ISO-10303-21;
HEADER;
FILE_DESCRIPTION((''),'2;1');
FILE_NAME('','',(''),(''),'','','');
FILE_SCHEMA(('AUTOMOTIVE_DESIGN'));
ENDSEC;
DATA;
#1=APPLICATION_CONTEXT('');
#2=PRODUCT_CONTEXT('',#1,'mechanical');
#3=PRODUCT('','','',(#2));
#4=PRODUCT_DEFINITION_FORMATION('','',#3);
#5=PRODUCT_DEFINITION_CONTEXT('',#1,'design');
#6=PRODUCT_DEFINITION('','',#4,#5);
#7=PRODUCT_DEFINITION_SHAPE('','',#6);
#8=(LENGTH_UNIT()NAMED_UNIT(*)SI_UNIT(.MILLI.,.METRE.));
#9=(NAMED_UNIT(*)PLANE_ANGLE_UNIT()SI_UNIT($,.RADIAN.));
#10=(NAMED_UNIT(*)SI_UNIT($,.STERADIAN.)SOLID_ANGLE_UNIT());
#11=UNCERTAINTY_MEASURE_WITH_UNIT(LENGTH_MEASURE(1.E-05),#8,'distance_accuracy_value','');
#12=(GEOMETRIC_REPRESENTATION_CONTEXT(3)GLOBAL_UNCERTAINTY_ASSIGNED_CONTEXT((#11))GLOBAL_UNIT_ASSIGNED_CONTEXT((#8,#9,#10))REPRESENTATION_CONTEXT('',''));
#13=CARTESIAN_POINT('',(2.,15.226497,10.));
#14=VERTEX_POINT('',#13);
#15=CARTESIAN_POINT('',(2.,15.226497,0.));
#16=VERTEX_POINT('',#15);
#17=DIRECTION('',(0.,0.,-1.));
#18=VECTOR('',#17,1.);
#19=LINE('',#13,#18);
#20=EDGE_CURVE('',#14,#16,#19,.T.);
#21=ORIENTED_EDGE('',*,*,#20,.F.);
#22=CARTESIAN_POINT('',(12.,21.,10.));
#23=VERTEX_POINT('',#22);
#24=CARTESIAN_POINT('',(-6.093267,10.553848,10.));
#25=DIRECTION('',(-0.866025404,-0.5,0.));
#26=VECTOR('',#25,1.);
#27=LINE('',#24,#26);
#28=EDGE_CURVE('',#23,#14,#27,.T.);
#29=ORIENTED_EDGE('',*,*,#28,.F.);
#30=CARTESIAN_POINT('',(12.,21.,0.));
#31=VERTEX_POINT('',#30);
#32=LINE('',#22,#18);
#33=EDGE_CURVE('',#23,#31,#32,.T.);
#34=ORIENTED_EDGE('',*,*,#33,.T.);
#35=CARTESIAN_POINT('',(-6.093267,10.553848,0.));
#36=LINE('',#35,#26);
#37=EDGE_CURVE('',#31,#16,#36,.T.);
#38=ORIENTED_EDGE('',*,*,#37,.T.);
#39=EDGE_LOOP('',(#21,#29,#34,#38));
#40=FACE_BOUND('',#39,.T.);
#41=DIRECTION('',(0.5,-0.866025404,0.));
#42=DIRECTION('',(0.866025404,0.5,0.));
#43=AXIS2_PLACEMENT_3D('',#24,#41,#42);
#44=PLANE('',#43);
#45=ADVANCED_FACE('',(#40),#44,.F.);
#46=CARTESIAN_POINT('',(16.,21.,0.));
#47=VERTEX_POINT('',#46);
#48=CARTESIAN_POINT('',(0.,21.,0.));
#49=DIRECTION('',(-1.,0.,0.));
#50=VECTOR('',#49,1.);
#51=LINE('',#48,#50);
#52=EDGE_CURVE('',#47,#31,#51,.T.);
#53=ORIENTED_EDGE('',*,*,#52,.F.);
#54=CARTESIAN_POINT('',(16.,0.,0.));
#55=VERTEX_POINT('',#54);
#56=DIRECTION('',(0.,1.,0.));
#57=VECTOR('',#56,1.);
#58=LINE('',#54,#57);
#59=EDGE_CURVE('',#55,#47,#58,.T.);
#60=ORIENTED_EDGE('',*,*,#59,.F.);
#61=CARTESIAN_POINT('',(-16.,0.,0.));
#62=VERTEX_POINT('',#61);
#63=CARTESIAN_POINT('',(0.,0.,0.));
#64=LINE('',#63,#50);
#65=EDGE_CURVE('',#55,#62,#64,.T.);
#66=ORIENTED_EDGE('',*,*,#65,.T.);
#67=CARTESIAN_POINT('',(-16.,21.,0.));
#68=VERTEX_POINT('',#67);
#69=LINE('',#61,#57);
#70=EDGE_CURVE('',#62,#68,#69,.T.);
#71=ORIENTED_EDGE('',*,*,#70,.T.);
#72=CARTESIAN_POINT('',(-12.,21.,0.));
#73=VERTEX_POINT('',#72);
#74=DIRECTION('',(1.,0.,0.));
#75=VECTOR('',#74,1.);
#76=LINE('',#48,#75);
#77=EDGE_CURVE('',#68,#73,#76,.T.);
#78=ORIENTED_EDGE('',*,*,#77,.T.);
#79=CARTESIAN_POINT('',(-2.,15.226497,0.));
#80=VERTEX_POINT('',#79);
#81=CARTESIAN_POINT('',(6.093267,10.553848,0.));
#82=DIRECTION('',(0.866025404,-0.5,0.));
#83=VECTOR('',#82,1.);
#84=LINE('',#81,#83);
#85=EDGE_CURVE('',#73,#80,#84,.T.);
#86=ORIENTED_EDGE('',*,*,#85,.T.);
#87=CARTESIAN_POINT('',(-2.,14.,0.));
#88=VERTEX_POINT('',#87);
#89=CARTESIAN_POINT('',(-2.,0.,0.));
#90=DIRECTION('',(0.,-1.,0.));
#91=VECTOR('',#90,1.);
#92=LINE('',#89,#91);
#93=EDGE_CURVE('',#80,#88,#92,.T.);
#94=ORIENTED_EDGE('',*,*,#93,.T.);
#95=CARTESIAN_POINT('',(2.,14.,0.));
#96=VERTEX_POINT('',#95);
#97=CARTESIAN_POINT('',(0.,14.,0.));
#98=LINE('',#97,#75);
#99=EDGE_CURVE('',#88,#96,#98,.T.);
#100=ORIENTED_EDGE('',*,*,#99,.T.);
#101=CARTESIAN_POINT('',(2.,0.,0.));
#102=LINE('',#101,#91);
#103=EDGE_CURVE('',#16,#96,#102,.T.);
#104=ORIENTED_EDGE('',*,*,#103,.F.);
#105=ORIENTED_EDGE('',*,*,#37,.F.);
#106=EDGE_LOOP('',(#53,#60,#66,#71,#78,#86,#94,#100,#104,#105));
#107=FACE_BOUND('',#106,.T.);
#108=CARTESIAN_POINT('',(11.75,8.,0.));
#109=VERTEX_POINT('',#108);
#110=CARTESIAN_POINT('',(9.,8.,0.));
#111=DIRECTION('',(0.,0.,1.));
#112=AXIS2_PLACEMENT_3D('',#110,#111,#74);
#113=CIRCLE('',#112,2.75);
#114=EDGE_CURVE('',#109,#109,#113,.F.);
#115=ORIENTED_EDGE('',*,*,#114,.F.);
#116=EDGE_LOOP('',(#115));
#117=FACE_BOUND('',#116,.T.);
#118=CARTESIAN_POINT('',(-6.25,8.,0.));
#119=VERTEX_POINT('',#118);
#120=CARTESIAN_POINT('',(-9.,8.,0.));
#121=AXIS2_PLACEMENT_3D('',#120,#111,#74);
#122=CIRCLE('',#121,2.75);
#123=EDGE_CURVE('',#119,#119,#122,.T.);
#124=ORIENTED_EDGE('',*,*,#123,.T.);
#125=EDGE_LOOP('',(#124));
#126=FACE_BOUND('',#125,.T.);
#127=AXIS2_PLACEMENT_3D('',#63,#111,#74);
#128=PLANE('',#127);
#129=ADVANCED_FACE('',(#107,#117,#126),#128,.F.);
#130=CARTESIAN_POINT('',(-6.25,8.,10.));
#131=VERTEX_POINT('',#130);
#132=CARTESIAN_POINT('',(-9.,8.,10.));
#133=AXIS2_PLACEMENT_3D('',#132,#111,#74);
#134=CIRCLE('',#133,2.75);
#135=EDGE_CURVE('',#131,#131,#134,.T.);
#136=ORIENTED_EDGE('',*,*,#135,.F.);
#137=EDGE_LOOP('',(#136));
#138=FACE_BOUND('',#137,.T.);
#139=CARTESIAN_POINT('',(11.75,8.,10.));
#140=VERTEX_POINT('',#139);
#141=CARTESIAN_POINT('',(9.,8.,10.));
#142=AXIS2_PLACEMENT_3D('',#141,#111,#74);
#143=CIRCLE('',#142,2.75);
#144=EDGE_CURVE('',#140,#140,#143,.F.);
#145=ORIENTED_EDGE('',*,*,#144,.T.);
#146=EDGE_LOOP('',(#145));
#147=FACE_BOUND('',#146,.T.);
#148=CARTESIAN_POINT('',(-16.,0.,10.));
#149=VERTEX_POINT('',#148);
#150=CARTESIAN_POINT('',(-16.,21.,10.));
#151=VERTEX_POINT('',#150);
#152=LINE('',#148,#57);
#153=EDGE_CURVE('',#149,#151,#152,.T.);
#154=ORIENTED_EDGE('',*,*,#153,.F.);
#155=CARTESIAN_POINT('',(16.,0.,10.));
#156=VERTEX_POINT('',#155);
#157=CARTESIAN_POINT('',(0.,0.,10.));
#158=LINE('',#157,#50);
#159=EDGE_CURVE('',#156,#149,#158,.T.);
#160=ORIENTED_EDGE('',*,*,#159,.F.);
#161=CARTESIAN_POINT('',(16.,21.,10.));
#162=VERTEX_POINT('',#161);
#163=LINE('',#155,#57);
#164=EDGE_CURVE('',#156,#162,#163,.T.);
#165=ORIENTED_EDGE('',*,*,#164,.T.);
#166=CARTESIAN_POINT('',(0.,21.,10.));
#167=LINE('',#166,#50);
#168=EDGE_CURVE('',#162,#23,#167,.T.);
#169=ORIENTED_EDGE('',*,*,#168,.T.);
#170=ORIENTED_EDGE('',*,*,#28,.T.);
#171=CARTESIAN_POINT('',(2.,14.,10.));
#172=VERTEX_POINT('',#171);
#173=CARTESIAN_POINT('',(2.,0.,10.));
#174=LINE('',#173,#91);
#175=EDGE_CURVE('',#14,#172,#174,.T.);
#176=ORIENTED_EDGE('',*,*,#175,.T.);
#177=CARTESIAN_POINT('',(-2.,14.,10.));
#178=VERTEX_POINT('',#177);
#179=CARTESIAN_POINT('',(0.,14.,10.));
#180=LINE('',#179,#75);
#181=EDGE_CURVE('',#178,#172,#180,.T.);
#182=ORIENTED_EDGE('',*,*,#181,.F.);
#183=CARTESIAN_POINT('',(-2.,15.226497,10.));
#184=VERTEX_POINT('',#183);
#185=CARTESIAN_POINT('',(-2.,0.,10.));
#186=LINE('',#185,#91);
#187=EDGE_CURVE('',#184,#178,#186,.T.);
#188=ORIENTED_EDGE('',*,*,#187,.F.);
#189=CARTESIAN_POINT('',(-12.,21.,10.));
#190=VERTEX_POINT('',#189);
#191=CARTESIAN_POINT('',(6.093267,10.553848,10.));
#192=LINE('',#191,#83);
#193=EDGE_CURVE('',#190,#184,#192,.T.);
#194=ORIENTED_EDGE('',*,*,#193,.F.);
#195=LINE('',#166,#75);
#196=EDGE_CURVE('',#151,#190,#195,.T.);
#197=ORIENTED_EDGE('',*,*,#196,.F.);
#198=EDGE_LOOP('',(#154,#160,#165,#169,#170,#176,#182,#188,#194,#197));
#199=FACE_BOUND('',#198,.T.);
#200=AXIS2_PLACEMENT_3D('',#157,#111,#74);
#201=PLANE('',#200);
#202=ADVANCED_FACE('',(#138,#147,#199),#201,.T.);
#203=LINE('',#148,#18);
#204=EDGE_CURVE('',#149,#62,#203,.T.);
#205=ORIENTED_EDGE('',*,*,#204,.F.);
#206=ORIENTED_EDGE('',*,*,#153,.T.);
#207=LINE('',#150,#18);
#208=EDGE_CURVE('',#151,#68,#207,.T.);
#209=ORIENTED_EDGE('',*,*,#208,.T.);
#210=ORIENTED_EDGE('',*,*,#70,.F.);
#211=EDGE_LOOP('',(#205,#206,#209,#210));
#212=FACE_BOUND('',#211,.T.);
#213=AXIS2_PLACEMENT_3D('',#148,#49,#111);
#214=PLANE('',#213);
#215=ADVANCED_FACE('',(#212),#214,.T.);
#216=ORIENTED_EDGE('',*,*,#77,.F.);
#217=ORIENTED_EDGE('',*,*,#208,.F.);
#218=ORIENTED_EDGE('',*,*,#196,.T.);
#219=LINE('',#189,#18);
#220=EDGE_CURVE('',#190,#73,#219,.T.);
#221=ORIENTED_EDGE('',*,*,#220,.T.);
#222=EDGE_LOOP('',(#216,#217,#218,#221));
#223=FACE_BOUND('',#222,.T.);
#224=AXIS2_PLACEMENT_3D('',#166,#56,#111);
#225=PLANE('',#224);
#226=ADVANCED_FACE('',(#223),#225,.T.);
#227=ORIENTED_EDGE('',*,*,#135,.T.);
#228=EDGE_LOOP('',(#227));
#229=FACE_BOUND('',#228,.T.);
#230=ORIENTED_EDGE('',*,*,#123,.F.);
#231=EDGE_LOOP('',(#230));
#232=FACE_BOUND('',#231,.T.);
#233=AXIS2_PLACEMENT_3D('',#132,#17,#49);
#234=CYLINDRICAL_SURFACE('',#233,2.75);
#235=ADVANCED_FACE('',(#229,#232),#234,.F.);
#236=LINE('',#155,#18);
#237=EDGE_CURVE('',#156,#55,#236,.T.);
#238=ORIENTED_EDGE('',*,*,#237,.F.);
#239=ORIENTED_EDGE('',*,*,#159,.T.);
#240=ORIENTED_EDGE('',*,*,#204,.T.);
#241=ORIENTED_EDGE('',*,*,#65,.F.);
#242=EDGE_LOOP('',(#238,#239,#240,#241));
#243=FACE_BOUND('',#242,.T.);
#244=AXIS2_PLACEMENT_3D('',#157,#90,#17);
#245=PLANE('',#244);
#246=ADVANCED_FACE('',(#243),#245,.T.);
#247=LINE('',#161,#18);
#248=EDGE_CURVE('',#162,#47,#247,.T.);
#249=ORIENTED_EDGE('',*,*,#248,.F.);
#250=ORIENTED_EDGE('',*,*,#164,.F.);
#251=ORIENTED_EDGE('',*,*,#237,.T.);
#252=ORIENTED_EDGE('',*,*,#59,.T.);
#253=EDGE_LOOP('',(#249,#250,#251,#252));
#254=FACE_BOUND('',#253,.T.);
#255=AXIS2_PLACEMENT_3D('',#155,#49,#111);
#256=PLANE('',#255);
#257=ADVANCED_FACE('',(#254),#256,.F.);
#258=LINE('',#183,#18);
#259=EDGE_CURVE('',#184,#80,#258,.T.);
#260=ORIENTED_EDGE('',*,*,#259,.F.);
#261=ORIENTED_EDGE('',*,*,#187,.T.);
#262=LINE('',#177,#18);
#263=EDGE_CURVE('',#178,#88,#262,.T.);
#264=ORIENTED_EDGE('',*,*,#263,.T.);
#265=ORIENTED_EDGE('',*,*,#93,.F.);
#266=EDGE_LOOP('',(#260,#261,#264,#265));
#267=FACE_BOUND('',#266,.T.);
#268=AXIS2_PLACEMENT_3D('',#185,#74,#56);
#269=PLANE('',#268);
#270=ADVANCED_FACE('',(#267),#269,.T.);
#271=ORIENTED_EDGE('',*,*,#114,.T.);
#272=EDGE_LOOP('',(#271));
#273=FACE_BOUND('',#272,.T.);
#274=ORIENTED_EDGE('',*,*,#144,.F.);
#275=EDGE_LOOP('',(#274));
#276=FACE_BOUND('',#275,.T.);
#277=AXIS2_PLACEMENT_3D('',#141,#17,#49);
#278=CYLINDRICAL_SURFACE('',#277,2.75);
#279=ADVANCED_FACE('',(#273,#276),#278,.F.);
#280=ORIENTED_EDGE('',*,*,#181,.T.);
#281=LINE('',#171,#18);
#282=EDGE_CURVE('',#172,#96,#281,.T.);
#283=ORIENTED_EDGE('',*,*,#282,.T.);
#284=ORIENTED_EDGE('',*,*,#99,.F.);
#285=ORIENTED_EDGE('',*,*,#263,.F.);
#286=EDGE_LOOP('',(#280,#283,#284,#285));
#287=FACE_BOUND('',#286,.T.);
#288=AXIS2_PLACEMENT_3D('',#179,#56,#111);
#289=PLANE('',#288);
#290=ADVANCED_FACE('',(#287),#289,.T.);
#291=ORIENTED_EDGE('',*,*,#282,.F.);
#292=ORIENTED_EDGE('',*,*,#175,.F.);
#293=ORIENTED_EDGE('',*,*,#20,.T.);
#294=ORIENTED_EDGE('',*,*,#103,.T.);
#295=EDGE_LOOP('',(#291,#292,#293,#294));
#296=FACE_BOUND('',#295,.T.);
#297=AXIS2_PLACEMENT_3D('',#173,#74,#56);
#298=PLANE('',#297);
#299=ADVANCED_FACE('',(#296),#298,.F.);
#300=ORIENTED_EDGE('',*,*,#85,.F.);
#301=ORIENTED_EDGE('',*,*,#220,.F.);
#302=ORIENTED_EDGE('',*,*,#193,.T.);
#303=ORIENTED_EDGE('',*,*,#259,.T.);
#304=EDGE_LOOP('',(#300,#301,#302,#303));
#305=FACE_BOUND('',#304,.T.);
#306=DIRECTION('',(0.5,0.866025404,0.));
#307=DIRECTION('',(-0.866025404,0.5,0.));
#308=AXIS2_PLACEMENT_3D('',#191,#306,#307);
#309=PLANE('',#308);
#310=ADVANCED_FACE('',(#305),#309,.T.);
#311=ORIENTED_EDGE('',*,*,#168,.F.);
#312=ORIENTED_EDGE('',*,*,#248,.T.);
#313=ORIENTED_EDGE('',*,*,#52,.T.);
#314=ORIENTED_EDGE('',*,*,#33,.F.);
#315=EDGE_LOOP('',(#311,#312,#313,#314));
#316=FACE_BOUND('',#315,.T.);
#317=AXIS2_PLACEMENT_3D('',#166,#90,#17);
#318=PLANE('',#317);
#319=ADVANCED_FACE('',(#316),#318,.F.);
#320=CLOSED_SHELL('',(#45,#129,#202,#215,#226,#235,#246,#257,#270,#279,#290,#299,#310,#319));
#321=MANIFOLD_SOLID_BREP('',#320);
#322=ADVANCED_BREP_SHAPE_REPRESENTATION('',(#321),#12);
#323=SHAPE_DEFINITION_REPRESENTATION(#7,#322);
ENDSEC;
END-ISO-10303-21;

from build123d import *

# Parameters (mm, degrees)
SKETCH_1_R      = 2.75
EXTRUDE_1_DEPTH = 10


with BuildPart() as part:
    # Эскиз1 → Бобышка-Вытянуть1 (new body)
    # profile 1 of 2: a face of its own
    with BuildSketch(Plane.XY):
        Polygon((-16, 0), (0, 0), (0, 14), (-2, 14), (-2, 15.226497308), (-12, 21), (-16, 21), align=None)
        with Locations((-9, 8)):
            Circle(SKETCH_1_R, mode=Mode.SUBTRACT)
    # profile 2 of 2: a face of its own
    with BuildSketch(Plane.XY):
        Polygon((0, 14), (0, 0), (16, 0), (16, 21), (12, 21), (2, 15.226497308), (2, 14), align=None)
        with Locations((9, 8)):
            Circle(SKETCH_1_R, mode=Mode.SUBTRACT)
    extrude(amount=EXTRUDE_1_DEPTH)


solid = part.part
